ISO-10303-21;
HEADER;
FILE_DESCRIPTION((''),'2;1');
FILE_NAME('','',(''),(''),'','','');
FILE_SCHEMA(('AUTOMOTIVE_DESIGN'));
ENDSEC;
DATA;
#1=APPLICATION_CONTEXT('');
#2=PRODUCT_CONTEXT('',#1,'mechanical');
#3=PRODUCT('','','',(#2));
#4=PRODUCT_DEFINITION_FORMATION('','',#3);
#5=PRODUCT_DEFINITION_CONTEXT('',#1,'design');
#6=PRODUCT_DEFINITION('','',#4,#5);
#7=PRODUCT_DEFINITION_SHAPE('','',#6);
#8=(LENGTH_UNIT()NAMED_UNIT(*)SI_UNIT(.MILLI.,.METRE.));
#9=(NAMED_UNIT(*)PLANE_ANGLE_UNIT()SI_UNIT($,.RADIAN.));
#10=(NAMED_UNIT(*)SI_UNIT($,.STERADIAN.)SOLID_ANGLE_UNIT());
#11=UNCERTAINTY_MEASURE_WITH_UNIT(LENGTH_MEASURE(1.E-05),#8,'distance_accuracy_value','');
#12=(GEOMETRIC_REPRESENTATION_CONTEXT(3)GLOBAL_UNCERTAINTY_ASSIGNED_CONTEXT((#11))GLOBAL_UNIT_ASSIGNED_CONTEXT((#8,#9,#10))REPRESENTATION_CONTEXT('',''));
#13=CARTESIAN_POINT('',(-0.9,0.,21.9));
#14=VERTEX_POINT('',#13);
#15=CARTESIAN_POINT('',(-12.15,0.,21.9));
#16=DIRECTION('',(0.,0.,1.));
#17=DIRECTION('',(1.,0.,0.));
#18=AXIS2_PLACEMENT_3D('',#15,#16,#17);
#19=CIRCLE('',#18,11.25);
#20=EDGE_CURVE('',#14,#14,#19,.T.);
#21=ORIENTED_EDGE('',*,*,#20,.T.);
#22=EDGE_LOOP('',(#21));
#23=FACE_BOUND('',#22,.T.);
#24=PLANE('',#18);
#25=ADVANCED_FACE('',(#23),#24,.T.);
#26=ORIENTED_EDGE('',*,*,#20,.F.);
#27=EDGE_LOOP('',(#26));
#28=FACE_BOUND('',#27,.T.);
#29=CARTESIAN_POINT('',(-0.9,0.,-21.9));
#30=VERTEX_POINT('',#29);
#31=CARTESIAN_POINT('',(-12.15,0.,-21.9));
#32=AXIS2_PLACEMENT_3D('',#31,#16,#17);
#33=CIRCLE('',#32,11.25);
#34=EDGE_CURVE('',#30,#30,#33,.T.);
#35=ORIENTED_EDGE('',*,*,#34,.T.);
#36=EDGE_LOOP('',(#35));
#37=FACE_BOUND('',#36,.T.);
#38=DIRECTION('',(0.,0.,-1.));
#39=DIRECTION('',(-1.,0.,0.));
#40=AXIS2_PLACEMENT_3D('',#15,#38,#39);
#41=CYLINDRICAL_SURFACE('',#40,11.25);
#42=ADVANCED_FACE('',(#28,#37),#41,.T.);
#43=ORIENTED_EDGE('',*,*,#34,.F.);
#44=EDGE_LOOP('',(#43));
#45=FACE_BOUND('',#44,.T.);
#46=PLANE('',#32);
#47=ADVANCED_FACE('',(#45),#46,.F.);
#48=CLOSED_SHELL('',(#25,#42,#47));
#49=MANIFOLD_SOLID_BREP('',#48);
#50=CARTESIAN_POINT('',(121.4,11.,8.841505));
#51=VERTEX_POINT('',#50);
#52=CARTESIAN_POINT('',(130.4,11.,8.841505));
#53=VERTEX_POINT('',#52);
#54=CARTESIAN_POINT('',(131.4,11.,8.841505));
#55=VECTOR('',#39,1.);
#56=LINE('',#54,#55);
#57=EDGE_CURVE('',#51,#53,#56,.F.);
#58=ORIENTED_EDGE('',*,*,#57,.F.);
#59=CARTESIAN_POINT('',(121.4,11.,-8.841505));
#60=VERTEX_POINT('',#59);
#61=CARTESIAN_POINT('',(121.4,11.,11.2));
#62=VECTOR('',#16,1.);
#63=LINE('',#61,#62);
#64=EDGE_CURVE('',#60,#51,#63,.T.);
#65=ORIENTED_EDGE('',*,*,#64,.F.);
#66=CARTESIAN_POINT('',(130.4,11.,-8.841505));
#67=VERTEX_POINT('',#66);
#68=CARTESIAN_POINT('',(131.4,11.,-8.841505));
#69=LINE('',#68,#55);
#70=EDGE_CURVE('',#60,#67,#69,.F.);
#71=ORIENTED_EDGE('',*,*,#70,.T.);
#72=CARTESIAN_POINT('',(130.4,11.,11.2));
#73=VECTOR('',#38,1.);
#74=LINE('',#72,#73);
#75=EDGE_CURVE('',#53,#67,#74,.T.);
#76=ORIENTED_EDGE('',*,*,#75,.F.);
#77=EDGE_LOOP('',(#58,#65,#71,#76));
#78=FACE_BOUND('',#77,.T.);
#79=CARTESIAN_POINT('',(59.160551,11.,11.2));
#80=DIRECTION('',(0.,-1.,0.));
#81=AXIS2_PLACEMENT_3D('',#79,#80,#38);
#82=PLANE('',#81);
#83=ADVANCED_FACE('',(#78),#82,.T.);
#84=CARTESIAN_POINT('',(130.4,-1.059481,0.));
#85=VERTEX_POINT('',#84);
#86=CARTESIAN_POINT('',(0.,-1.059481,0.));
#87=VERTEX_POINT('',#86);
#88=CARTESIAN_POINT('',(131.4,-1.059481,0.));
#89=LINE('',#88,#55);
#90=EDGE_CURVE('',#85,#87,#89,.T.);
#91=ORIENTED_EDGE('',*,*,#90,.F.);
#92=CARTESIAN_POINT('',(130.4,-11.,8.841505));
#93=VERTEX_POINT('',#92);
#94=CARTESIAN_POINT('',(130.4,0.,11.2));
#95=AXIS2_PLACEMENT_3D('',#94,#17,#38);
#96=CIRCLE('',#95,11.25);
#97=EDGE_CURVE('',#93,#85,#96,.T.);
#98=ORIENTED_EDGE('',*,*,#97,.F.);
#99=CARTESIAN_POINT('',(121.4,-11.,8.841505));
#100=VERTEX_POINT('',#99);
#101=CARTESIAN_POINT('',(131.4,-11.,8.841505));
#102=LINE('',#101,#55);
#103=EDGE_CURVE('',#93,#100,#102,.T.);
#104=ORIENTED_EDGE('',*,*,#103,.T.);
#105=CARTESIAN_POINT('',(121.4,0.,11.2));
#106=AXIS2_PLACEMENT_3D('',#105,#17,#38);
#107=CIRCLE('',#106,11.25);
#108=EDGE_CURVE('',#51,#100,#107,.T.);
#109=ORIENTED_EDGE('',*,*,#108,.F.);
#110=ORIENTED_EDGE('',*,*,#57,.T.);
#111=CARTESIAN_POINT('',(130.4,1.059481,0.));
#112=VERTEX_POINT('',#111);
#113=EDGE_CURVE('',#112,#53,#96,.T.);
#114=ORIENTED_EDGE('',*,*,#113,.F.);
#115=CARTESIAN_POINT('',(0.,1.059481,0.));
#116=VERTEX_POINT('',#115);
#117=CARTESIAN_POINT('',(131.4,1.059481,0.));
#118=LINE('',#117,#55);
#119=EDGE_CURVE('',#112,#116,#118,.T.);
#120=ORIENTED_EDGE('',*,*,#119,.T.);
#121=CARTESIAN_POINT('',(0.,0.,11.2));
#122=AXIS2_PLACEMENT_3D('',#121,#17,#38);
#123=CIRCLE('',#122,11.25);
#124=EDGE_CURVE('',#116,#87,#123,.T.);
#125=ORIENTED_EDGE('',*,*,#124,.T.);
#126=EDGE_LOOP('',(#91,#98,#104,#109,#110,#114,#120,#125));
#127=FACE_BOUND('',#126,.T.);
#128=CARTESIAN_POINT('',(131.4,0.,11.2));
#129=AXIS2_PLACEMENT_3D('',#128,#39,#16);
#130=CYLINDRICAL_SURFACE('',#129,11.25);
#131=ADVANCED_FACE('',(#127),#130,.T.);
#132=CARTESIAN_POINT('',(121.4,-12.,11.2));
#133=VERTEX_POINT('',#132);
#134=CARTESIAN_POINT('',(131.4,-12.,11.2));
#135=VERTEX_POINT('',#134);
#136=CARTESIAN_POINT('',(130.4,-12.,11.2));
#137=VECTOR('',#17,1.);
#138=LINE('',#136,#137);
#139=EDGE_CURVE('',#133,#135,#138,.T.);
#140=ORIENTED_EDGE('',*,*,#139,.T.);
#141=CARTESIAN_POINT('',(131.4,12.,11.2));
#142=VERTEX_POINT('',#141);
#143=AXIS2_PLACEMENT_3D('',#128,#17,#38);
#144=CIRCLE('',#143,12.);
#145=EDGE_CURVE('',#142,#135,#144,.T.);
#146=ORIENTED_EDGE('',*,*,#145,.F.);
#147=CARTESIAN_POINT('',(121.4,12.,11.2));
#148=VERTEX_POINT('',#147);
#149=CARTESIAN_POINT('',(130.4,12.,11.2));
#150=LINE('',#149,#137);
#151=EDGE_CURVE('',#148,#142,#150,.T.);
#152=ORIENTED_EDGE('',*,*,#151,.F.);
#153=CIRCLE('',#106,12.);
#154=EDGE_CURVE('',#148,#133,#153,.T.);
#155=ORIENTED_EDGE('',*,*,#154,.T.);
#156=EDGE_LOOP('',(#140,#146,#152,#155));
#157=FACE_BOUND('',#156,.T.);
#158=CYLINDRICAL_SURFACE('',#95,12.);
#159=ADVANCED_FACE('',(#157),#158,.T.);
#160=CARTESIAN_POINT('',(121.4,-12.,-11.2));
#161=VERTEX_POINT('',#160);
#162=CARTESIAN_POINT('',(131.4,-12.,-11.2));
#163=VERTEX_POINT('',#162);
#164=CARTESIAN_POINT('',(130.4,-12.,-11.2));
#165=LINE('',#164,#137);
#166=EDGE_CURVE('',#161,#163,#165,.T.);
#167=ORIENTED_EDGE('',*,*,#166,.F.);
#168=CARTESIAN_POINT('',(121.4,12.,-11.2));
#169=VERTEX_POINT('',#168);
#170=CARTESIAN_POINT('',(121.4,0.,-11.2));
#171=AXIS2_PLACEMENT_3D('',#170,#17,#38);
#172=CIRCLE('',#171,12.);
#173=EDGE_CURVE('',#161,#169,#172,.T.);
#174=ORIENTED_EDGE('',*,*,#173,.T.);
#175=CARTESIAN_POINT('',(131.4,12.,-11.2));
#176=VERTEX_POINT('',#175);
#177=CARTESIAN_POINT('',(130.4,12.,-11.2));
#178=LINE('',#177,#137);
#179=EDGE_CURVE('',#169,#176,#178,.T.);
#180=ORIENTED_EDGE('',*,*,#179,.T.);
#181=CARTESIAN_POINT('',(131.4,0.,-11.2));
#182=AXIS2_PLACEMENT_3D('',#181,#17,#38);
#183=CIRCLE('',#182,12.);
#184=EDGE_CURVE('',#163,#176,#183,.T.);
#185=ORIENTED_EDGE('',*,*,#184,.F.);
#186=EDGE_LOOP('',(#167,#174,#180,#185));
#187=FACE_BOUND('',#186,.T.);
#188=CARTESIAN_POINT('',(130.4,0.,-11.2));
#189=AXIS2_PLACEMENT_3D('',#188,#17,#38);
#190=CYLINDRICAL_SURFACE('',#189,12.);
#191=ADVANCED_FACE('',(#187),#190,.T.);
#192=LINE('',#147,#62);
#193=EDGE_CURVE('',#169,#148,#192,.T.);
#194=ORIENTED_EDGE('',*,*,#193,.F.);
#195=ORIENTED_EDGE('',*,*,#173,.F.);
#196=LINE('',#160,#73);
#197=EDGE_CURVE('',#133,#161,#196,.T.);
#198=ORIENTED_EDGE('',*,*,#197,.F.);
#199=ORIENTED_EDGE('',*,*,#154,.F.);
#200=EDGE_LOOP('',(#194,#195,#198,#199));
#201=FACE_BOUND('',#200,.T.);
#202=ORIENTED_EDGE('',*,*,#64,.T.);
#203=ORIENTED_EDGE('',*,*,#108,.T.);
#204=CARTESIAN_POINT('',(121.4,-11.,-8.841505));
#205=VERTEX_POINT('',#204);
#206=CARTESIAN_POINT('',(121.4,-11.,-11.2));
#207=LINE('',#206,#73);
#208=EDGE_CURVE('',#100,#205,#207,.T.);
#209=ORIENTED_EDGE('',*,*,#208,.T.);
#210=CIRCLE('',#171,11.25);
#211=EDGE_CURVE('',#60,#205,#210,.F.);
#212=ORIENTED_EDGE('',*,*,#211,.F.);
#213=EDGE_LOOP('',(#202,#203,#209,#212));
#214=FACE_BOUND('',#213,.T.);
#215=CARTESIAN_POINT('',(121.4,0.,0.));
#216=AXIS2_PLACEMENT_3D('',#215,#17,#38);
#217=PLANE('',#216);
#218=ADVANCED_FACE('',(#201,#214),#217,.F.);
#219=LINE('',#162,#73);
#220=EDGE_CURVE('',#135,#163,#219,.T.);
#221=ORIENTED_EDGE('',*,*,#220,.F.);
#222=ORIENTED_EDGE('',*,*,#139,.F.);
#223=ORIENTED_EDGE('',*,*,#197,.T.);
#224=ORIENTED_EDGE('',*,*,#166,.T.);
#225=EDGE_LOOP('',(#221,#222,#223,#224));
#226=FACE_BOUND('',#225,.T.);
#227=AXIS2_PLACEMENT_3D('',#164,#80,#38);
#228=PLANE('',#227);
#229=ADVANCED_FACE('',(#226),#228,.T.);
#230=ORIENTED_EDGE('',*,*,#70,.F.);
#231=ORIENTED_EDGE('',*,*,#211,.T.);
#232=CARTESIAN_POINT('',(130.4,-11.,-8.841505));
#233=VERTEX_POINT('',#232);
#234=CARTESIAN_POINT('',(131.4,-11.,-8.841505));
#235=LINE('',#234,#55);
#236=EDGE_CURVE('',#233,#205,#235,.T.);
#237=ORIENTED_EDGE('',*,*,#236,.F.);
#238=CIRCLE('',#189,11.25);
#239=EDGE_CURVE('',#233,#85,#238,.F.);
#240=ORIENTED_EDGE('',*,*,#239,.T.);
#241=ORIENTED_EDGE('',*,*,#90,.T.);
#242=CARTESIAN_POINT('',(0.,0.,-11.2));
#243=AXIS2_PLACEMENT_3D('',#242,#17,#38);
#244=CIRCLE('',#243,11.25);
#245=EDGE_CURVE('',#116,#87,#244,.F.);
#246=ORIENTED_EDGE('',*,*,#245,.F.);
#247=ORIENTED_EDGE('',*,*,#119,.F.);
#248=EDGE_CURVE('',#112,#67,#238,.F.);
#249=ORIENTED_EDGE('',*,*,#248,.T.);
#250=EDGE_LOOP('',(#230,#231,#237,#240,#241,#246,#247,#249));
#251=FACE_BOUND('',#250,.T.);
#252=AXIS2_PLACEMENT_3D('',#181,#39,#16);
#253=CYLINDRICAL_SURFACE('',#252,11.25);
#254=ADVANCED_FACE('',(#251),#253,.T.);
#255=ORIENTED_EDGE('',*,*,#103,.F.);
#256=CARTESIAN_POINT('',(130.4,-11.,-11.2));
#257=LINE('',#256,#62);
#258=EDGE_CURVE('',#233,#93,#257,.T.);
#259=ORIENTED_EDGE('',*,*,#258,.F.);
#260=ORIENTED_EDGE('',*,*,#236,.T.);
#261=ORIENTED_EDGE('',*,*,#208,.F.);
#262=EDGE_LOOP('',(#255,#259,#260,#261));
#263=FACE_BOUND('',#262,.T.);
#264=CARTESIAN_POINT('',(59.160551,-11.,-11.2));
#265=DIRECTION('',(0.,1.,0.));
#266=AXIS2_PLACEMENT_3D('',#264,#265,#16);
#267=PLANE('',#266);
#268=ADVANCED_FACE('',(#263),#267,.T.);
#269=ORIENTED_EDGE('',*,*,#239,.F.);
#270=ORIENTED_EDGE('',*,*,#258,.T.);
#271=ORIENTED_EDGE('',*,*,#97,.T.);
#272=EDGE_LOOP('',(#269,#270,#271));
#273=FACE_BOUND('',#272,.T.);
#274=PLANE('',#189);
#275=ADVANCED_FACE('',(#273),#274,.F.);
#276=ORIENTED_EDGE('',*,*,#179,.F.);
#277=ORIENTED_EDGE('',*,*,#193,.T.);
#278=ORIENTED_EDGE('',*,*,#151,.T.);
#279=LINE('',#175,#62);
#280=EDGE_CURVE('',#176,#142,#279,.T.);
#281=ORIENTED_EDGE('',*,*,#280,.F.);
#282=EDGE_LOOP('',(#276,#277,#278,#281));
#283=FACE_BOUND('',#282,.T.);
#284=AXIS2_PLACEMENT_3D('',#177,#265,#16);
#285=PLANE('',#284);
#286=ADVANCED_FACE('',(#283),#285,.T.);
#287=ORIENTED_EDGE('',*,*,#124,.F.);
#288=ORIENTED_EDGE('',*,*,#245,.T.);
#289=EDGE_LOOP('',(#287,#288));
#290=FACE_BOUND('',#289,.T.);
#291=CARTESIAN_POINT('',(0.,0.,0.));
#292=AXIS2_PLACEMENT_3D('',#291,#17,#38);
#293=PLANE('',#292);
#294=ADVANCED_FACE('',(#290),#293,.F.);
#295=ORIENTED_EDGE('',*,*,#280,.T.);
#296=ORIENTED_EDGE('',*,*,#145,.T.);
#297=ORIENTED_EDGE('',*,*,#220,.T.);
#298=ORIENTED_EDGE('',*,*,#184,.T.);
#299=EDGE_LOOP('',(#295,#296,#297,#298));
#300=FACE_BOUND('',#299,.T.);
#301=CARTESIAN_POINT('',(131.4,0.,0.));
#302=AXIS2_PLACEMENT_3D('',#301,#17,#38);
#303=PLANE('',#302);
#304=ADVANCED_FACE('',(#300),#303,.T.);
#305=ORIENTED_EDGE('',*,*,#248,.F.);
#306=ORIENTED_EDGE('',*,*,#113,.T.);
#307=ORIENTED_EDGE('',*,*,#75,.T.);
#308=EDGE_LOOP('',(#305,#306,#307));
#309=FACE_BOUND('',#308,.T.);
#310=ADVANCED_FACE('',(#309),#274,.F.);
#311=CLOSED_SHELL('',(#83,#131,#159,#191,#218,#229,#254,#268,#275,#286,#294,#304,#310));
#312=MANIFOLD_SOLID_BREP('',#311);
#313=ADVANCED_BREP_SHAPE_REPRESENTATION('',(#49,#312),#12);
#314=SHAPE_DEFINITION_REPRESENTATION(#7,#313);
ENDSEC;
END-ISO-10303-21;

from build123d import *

# Parameters (mm, degrees)
SKETCH1_R           = 11.25
BOSS_EXTRUDE1_DEPTH = 131.4
BOSS_EXTRUDE5_DEPTH = 1
BOSS_EXTRUDE6_DEPTH = 9
SKETCH4_R           = 11.25
BOSS_EXTRUDE7_DEPTH = 21.9


with BuildPart() as part:
    # Sketch1 → Boss-Extrude1 (new body)
    with BuildSketch(Plane(origin=(0, 0, 0), x_dir=(0, 0, -1), z_dir=(1, 0, 0))):
        with Locations((-11.2, 0)):
            Circle(SKETCH1_R)
        with Locations((11.2, 0)):
            Circle(SKETCH1_R)
        with Locations((11.2, 0)):
            Circle(SKETCH1_R)
        with Locations((-11.2, 0)):
            Circle(SKETCH1_R)
    extrude(amount=BOSS_EXTRUDE1_DEPTH)

    # Sketch2 → Boss-Extrude5 (add)
    with BuildSketch(Plane(origin=(131.4, 0, 0), x_dir=(0, 0, -1), z_dir=(1, 0, 0))):
        with BuildLine():
            Line((11.2, -12), (-11.2, -12))
            ThreePointArc((-11.2, -12), (-23.2, 0), (-11.2, 12))
            Line((-11.2, 12), (11.2, 12))
            ThreePointArc((11.2, 12), (23.2, 0), (11.2, -12))
        make_face()
    extrude(amount=-BOSS_EXTRUDE5_DEPTH)

    # Sketch3 → Boss-Extrude6 (add)
    with BuildSketch(Plane.ZY.offset(-130.4)):
        with BuildLine():
            Line((-11.2, -12), (11.2, -12))
            ThreePointArc((11.2, -12), (23.2, 0), (11.2, 12))
            Line((11.2, 12), (-11.2, 12))
            ThreePointArc((-11.2, 12), (-23.2, 0), (-11.2, -12))
        make_face()
        with BuildLine():
            Line((-11.2, -11), (11.2, -11))
            ThreePointArc((11.2, -11), (22.2, 0), (11.2, 11))
            Line((11.2, 11), (-11.2, 11))
            ThreePointArc((-11.2, 11), (-22.2, 0), (-11.2, -11))
        make_face(mode=Mode.SUBTRACT)
    extrude(amount=BOSS_EXTRUDE6_DEPTH)


with BuildPart() as body_2:
    # Sketch4 → Boss-Extrude7 (new, symmetric)
    with BuildSketch(Plane.XY):
        with Locations((-12.15, 0)):
            Circle(SKETCH4_R)
    extrude(amount=BOSS_EXTRUDE7_DEPTH, both=True)


solid = Compound([part.part, body_2.part])
